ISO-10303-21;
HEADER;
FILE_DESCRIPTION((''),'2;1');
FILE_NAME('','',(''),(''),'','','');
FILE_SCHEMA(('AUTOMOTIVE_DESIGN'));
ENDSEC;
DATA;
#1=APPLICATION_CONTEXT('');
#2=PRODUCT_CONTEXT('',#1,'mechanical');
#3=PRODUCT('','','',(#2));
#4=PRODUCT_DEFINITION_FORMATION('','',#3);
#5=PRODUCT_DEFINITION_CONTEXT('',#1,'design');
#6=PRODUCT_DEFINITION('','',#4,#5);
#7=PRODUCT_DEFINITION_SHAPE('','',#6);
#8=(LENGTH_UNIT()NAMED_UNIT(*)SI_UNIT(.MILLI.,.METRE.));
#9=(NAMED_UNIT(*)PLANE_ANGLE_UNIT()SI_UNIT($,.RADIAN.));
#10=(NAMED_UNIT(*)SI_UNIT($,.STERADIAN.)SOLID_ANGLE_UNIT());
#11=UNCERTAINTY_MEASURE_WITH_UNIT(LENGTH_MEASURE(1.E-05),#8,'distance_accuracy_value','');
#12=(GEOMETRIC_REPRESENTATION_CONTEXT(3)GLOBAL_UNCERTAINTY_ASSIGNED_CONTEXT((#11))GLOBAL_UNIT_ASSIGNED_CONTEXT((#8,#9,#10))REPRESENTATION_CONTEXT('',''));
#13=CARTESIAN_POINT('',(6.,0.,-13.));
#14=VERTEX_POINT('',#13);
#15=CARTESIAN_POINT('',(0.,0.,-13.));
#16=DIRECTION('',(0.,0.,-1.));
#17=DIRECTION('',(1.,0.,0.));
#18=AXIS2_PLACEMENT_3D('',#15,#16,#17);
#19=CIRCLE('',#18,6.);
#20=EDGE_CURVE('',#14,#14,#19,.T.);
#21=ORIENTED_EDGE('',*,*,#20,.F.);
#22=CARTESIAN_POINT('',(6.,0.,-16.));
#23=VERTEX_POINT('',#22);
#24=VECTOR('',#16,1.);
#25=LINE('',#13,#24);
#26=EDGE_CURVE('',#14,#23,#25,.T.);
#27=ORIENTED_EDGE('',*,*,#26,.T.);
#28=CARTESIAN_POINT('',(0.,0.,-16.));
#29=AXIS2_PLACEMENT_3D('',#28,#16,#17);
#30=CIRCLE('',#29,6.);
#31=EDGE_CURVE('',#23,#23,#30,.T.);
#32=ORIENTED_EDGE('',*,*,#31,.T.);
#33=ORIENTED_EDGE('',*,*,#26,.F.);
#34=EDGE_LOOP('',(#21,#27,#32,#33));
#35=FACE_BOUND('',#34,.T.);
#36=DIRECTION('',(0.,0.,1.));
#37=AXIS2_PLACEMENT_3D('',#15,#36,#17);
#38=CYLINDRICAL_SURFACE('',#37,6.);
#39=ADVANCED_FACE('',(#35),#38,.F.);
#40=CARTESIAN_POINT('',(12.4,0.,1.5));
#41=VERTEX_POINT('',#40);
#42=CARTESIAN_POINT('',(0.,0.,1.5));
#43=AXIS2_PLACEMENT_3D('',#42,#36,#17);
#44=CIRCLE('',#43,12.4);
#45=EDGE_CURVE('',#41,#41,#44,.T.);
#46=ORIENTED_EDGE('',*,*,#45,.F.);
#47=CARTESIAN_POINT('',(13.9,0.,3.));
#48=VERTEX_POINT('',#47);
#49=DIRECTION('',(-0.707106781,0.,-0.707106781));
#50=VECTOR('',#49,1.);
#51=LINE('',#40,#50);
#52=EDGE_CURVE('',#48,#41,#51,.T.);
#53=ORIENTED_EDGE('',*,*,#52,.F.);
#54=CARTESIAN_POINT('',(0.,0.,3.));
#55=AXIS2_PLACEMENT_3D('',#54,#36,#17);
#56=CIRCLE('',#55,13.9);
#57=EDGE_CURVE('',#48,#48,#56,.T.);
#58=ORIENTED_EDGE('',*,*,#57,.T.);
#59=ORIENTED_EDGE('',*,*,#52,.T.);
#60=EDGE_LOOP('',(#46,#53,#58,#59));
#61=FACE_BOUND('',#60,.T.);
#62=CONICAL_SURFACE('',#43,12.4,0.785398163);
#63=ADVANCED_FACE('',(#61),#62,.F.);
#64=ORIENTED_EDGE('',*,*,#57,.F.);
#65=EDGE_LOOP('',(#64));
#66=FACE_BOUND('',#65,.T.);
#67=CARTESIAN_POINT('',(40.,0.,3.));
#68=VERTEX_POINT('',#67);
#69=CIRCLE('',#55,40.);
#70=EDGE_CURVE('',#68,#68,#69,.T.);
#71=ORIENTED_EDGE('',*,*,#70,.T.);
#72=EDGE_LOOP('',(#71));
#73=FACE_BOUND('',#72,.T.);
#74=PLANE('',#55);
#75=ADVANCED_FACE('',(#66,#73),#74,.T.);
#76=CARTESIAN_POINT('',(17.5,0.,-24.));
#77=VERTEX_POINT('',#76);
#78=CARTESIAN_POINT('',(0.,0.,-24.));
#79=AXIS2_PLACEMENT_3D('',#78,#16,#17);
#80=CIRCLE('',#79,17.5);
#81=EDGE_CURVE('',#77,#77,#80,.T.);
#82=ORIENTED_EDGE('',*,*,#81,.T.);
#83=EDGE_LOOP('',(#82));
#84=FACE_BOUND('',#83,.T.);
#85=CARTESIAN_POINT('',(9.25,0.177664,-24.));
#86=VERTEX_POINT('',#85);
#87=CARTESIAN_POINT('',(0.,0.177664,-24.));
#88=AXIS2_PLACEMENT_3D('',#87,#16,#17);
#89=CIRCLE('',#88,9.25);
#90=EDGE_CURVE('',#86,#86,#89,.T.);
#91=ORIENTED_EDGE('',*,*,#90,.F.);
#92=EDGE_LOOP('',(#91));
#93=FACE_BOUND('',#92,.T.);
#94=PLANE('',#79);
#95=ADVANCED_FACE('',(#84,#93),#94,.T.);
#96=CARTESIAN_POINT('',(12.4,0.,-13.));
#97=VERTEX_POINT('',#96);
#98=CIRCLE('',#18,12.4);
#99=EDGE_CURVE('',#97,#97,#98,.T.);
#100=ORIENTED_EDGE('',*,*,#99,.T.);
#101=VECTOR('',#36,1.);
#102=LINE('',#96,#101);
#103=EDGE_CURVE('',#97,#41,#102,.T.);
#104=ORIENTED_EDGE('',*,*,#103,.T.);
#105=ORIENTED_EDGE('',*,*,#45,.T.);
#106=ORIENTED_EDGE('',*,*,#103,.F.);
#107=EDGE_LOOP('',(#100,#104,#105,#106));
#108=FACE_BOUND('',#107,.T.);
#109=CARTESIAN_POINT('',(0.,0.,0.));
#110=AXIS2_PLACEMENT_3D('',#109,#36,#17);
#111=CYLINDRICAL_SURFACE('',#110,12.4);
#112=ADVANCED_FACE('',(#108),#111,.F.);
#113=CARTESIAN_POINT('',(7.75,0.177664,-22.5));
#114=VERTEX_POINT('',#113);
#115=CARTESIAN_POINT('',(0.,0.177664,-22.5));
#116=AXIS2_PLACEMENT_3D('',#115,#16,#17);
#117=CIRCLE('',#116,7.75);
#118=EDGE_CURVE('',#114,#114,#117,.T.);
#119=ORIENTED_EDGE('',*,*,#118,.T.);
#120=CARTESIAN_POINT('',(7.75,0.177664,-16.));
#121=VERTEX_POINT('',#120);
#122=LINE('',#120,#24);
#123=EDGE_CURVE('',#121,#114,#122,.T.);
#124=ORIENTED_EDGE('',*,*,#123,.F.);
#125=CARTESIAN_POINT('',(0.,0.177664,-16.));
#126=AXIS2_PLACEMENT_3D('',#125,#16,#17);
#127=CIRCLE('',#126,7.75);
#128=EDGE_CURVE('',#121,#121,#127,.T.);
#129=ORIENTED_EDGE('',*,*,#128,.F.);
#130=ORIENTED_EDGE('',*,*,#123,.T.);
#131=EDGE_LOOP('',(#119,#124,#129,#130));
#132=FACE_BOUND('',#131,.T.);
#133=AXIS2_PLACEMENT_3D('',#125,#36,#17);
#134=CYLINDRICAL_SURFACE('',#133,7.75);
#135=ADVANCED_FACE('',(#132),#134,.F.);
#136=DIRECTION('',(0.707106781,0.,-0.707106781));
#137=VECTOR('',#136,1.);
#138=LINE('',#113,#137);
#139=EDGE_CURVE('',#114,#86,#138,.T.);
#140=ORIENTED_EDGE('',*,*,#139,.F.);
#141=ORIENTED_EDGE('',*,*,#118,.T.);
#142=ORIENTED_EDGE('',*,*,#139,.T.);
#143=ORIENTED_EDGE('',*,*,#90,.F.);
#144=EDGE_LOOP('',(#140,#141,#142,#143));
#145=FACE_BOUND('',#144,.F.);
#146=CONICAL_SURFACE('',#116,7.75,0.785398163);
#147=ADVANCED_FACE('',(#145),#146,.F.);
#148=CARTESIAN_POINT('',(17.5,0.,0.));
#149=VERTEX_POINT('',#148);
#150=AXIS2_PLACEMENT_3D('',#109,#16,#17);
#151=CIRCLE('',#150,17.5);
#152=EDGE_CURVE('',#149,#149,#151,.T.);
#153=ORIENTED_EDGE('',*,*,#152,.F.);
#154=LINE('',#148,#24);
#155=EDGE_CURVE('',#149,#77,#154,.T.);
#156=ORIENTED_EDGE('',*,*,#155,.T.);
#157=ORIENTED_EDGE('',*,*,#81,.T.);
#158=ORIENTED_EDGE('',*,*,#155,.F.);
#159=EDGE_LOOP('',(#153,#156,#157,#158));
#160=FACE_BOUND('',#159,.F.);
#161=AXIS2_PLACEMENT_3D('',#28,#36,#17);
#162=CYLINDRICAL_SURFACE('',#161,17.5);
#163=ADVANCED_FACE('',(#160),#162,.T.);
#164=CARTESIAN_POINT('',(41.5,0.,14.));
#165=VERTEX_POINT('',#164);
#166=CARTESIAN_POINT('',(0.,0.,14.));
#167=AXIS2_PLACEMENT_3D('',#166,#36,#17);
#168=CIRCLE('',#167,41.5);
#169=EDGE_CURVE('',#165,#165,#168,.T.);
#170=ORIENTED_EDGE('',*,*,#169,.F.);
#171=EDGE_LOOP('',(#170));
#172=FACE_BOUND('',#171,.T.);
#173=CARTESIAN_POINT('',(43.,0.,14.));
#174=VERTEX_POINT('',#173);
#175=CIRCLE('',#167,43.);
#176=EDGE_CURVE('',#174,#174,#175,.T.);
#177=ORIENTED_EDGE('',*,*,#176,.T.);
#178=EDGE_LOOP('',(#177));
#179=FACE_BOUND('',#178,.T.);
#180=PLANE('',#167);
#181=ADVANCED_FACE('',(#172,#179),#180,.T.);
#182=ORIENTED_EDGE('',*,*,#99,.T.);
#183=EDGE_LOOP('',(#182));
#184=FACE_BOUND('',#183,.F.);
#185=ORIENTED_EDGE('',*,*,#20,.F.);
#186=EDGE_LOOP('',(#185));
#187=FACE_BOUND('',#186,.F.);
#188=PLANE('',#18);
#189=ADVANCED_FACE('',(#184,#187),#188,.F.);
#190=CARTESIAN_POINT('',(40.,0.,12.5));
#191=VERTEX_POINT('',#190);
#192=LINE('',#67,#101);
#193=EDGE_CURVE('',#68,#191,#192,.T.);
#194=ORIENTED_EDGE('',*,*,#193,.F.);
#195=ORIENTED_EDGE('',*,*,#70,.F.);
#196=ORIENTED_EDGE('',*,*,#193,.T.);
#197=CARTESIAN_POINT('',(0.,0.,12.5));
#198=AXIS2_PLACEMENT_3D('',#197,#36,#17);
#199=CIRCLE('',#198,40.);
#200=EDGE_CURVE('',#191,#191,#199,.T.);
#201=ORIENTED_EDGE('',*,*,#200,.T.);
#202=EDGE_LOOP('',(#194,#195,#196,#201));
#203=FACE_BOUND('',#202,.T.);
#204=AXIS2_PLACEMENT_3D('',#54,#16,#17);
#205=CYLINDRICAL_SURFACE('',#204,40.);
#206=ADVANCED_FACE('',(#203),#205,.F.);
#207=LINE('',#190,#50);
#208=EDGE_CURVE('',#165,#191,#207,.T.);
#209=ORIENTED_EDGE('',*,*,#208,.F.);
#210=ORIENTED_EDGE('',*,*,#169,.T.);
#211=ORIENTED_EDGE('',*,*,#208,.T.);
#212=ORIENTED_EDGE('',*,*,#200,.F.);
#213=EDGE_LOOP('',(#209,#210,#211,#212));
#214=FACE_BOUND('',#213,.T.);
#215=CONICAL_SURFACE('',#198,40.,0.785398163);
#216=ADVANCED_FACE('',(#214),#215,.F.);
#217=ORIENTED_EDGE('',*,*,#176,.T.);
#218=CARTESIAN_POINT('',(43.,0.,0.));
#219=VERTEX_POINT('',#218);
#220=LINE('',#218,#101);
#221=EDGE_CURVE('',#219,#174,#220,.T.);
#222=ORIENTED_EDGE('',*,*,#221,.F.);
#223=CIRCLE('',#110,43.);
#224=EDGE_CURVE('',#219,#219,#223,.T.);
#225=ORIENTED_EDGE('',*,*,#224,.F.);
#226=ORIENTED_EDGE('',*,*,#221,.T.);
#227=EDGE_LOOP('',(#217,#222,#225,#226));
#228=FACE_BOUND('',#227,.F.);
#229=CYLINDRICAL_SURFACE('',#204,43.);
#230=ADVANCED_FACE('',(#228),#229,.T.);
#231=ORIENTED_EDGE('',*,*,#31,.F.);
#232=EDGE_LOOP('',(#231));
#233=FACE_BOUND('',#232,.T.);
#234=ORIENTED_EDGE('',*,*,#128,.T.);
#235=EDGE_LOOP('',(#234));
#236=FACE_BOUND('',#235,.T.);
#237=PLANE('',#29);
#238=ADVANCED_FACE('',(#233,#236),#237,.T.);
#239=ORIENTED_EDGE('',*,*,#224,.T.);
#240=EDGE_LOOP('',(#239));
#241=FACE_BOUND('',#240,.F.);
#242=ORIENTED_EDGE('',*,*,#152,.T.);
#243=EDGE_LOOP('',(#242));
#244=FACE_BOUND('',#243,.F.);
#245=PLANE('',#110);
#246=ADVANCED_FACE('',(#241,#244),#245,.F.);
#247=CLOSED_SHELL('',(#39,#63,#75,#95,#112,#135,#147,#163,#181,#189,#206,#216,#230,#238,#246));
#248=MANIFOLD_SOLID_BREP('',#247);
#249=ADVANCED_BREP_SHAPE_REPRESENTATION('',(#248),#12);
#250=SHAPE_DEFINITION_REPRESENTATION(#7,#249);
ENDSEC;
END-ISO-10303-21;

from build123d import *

# Parameters (mm, degrees)
SKETCH_R        = 43
PAD_DEPTH       = 3
SKETCH001_R     = 43
SKETCH001_R_2   = 40
PAD001_DEPTH    = 11
SKETCH002_R     = 12.4
POCKET_DEPTH    = 5
SKETCH003_R     = 17.5
SKETCH003_R_2   = 12.4
PAD002_DEPTH    = 13
SKETCH004_R     = 17.5
SKETCH004_R_2   = 6
PAD003_DEPTH    = 3
SKETCH005_R     = 17.5
SKETCH005_R_2   = 7.75
PAD004_DEPTH    = 8
CHAMFER_SIZE    = 1.5
CHAMFER001_SIZE = 1.5
CHAMFER002_SIZE = 1.5


with BuildPart() as part:
    # Sketch → Pad (new body)
    with BuildSketch(Plane.XY):
        Circle(SKETCH_R)
    extrude(amount=PAD_DEPTH)

    # Sketch001 (on Face3 of Pad) → Pad001 (join)
    with BuildSketch(Plane.XY.offset(3)):
        Circle(SKETCH001_R)
        Circle(SKETCH001_R_2, mode=Mode.SUBTRACT)
    extrude(amount=PAD001_DEPTH)

    # Sketch002 (on Face6 of Pad001) → Pocket (cut)
    with BuildSketch(Plane.XY.offset(3)):
        Circle(SKETCH002_R)
    extrude(amount=-POCKET_DEPTH, mode=Mode.SUBTRACT)

    # Sketch003 (on Face2 of Pocket) → Pad002 (join)
    with BuildSketch(Plane(origin=(0, 0, 0), x_dir=(1, 0, 0), z_dir=(0, 0, -1))):
        Circle(SKETCH003_R)
        Circle(SKETCH003_R_2, mode=Mode.SUBTRACT)
    extrude(amount=PAD002_DEPTH)

    # Sketch004 (on Face6 of Pad002) → Pad003 (join)
    with BuildSketch(Plane(origin=(0, 0, -13), x_dir=(1, 0, 0), z_dir=(0, 0, -1))):
        Circle(SKETCH004_R)
        Circle(SKETCH004_R_2, mode=Mode.SUBTRACT)
    extrude(amount=PAD003_DEPTH)

    # Sketch005 (on Face8 of Pad003) → Pad004 (join)
    with BuildSketch(Plane(origin=(0, 0, -16), x_dir=(1, 0, 0), z_dir=(0, 0, -1))):
        Circle(SKETCH005_R)
        with Locations((0, -0.177664)):
            Circle(SKETCH005_R_2, mode=Mode.SUBTRACT)
    extrude(amount=PAD004_DEPTH)

    # Chamfer
    chamfer_edges = [part.edges().sort_by_distance(p)[0] for p in [
        (-7.75, 0.177664, -24),
    ]]
    chamfer(chamfer_edges, length=CHAMFER_SIZE)

    # Chamfer001
    chamfer001_edges = [part.edges().sort_by_distance(p)[0] for p in [
        (-40, 0, 14),
    ]]
    chamfer(chamfer001_edges, length=CHAMFER001_SIZE)

    # Chamfer002
    chamfer002_edges = [part.edges().sort_by_distance(p)[0] for p in [
        (-12.4, 0, 3),
    ]]
    chamfer(chamfer002_edges, length=CHAMFER002_SIZE)


solid = part.part
